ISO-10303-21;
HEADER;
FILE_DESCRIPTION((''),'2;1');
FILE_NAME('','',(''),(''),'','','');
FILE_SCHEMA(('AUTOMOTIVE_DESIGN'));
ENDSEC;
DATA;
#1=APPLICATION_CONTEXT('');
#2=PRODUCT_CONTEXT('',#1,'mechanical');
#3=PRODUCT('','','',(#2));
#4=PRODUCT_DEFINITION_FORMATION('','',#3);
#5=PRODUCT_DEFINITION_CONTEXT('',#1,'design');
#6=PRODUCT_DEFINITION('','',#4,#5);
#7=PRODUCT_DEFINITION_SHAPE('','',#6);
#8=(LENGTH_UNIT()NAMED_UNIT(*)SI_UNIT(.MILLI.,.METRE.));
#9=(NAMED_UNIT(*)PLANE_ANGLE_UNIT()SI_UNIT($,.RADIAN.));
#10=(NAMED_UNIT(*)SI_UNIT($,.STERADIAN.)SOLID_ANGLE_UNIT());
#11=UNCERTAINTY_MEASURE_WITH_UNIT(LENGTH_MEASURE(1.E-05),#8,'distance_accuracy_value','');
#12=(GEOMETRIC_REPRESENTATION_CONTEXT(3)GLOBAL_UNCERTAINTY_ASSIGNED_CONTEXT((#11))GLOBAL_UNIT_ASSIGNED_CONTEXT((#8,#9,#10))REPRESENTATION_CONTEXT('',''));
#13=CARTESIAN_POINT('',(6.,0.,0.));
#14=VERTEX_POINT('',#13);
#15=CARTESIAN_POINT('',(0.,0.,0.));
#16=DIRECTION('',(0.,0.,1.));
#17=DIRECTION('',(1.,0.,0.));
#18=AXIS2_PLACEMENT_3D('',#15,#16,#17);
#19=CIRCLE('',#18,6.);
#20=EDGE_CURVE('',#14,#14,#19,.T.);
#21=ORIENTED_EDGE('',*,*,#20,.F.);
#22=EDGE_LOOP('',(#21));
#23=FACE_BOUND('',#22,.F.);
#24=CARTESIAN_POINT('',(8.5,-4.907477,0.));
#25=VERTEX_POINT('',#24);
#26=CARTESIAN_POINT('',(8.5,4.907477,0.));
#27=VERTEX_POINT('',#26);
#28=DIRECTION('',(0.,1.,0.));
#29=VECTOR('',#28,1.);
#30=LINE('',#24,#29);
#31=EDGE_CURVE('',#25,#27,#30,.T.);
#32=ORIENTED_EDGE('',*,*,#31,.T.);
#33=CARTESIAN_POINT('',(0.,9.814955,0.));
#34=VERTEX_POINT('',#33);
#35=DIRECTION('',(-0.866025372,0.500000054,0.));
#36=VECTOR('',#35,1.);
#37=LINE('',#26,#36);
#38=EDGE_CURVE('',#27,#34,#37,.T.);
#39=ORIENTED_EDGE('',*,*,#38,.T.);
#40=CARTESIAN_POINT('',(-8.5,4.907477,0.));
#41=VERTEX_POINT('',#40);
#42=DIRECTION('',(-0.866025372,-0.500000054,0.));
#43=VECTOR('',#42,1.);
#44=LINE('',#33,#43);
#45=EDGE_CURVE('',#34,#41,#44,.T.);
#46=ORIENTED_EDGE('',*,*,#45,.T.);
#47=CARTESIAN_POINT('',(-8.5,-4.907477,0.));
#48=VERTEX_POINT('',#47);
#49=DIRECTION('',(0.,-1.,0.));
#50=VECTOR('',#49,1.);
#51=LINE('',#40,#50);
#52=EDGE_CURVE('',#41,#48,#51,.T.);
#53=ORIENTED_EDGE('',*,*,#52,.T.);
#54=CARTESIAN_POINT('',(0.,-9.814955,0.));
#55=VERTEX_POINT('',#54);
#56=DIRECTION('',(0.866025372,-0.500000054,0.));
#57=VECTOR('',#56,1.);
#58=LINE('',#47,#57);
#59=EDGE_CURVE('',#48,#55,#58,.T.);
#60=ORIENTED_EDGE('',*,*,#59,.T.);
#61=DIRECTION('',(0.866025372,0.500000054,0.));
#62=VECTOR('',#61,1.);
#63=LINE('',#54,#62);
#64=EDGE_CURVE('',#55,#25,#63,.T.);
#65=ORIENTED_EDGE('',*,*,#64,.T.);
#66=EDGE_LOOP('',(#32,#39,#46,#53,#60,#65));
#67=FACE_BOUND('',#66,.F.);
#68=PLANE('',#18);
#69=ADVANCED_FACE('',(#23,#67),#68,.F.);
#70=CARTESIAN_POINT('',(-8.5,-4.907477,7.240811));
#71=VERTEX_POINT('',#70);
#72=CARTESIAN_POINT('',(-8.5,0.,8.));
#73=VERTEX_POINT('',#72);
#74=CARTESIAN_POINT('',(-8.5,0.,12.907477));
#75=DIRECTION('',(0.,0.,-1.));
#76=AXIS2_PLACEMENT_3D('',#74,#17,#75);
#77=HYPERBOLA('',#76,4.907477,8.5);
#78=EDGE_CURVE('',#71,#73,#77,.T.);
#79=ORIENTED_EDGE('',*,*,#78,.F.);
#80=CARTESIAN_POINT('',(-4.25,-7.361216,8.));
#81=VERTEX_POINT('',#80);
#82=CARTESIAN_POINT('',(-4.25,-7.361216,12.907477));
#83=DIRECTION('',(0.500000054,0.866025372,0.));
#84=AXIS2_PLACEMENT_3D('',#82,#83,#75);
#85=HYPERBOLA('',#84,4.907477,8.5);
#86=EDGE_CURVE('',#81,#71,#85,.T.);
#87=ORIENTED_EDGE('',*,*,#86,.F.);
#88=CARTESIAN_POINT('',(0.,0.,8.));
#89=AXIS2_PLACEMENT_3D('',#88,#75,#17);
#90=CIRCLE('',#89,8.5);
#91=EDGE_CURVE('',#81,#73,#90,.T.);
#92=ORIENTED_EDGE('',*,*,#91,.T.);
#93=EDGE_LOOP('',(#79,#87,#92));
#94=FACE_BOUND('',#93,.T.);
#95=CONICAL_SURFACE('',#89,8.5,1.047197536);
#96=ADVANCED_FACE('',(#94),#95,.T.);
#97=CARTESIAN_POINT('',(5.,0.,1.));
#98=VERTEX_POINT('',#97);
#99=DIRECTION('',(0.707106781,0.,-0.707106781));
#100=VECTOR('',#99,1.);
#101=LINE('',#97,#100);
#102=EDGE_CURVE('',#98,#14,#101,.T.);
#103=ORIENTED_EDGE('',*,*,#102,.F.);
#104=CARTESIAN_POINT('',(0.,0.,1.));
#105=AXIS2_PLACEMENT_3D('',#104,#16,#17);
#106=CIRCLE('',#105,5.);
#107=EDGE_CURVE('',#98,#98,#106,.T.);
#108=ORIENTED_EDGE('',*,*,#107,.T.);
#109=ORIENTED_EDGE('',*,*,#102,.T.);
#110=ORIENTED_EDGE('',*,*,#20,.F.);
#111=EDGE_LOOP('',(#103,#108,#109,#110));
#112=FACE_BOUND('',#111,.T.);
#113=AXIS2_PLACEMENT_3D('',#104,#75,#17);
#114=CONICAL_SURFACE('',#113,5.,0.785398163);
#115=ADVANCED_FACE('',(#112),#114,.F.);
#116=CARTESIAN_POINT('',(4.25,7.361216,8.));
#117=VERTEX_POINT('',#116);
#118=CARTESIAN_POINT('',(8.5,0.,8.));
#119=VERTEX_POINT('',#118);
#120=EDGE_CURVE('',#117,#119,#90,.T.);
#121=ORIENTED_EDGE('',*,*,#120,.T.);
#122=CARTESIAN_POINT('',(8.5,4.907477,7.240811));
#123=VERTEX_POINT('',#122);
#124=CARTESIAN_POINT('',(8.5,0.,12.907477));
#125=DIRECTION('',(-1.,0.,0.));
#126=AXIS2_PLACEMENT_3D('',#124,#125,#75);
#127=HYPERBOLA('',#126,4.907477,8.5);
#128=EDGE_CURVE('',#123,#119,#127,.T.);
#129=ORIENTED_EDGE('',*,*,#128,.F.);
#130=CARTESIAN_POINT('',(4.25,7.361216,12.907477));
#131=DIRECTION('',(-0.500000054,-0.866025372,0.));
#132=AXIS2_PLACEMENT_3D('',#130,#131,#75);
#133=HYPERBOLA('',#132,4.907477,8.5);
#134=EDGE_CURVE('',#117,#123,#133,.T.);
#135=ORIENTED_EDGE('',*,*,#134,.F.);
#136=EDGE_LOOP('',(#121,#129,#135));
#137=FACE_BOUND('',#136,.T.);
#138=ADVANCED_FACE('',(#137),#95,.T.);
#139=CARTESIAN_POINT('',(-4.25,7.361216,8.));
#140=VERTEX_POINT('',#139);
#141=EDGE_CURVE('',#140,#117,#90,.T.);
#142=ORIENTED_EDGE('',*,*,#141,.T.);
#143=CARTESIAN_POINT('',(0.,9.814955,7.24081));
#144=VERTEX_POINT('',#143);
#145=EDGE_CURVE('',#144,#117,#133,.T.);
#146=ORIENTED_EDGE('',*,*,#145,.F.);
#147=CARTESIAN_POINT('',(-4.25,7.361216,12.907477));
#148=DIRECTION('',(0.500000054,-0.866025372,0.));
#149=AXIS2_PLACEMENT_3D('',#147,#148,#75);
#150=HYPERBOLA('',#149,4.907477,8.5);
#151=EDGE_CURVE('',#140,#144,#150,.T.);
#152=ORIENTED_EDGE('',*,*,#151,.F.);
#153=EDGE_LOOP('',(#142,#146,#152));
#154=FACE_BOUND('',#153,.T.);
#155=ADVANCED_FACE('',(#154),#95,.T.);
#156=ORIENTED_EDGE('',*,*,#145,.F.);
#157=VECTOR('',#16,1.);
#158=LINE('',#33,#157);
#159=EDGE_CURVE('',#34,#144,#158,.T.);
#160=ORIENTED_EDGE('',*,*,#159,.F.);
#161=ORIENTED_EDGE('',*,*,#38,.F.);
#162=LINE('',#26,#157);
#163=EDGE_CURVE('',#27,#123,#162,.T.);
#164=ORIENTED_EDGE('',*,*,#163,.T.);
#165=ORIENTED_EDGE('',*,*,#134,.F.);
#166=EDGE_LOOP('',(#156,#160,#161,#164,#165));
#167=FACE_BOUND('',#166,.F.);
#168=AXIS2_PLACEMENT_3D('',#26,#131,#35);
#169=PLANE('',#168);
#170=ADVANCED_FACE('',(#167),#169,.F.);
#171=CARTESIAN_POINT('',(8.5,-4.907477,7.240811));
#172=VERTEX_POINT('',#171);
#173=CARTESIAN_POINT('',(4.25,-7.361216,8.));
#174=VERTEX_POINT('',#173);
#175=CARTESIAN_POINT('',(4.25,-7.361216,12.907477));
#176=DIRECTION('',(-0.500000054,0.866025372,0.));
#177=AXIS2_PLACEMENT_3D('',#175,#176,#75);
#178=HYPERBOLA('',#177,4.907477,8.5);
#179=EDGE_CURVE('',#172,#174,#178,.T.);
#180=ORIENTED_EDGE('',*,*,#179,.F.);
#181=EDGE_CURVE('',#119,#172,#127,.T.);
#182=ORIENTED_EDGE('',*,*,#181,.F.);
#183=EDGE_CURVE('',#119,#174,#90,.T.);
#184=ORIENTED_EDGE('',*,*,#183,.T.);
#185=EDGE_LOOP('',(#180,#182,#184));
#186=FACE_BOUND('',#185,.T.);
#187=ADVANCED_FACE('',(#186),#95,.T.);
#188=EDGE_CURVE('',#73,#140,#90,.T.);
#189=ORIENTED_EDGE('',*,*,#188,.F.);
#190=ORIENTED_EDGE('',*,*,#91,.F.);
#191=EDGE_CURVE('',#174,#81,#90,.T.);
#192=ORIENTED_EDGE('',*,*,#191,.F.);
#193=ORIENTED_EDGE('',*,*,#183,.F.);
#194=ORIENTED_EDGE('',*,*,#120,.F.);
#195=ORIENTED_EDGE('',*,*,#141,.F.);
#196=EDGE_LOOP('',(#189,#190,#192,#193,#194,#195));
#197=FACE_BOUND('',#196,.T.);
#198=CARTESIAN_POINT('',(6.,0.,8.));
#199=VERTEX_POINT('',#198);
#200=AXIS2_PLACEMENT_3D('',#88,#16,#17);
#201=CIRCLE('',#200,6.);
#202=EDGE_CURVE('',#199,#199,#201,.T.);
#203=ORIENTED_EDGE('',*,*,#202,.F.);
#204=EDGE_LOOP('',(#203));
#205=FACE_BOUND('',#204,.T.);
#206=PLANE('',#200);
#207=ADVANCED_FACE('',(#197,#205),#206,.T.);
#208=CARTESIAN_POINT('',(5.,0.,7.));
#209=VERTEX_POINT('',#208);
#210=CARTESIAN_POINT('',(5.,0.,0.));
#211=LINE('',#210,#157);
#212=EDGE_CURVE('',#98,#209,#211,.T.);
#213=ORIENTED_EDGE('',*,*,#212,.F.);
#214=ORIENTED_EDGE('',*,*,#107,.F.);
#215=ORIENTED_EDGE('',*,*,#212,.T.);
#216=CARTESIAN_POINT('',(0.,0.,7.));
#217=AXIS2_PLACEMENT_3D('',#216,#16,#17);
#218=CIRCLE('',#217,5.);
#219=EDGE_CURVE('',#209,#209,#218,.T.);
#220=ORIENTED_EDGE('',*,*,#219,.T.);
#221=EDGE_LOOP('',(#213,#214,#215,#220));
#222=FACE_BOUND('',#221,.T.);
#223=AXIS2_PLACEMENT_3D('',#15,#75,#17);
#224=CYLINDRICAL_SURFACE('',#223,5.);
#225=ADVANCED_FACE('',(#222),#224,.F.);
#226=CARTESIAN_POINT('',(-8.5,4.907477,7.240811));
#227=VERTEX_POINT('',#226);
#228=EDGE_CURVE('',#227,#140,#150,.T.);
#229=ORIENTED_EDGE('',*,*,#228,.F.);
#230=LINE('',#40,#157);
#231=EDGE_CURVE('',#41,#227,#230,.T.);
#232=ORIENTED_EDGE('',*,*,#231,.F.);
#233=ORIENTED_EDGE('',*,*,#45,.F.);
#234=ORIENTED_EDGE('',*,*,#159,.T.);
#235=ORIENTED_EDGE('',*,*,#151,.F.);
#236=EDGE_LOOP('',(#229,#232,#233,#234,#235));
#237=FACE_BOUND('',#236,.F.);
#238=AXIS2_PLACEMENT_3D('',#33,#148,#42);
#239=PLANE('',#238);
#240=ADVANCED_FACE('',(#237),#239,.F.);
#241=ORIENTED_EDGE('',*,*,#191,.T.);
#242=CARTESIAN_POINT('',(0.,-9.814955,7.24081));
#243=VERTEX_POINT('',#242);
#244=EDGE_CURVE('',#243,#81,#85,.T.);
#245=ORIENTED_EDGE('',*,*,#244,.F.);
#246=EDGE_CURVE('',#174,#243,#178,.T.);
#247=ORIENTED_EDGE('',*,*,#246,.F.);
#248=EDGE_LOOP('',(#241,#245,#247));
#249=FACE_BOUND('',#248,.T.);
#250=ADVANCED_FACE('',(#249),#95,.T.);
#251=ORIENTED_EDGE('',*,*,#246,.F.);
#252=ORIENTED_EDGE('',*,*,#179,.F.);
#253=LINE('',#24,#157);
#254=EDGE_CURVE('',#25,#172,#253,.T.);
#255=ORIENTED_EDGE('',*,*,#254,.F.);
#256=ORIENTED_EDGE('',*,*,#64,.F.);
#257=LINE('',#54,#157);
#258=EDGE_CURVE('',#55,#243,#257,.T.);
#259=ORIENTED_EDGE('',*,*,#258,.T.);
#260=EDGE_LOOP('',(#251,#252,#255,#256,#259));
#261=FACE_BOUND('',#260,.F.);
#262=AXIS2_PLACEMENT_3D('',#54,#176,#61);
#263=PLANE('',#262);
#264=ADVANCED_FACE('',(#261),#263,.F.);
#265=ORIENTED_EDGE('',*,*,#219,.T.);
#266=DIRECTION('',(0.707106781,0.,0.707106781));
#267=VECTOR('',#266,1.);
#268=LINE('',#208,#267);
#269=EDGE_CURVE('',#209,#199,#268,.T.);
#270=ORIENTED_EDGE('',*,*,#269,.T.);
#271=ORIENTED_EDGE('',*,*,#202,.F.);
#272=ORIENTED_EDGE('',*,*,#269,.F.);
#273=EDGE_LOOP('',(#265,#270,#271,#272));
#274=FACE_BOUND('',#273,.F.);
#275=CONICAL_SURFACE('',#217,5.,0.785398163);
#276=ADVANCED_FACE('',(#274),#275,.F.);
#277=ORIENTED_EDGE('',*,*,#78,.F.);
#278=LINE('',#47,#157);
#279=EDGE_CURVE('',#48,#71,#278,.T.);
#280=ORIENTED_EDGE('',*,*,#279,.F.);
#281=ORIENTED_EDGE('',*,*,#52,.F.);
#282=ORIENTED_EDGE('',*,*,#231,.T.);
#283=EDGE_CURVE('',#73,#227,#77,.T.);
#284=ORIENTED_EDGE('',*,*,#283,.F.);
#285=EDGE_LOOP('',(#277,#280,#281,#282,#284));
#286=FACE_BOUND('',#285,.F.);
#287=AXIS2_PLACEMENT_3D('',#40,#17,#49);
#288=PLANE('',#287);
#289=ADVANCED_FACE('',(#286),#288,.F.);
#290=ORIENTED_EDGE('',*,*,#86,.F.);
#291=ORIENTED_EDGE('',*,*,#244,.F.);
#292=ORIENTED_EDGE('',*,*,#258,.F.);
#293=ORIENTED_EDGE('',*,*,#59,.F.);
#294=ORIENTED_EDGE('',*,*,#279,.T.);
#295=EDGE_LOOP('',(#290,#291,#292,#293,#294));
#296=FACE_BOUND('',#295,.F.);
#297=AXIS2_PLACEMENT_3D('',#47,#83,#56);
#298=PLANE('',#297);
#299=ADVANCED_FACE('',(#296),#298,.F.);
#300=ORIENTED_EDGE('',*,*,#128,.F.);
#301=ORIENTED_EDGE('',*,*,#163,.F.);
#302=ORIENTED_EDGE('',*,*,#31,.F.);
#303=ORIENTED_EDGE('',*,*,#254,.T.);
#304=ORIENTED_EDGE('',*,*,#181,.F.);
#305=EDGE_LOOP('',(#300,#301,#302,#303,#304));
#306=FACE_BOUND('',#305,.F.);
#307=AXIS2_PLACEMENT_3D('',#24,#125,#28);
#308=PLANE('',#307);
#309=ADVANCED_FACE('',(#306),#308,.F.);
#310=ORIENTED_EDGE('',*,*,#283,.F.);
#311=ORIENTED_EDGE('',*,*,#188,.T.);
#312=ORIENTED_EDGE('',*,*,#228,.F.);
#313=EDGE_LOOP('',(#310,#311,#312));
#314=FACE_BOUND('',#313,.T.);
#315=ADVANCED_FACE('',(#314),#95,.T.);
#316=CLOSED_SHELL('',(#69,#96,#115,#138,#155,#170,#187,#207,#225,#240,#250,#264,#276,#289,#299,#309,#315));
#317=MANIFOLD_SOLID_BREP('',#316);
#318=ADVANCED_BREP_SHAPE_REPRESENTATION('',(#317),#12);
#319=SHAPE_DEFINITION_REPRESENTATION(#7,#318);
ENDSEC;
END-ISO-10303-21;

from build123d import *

# Parameters (mm, degrees)
F0_R     = 5
F1_DEPTH = 8
F2_SIZE  = 1


with BuildPart() as f1:
    # F0 (on Top) → F1 (new body)
    with BuildSketch(Plane.XY):
        Polygon((0, -9.814955), (8.5, -4.907477), (8.5, 4.907477), (0, 9.814955), (-8.5, 4.907477), (-8.5, -4.907477), align=None)
        Circle(F0_R, mode=Mode.SUBTRACT)
    extrude(amount=F1_DEPTH)

    # F2
    f2_edges = [f1.edges().sort_by_distance(p)[0] for p in [
        (-5, 0, 8),
        (-5, 0, 0),
    ]]
    chamfer(f2_edges, length=F2_SIZE)

    # F3 (on Front) → F4 (revolve, cut)
    with BuildSketch(Plane.XZ):
        Polygon((18.032537, 8), (8.5, 8), (18.032537, 2.496387), align=None)
    revolve(axis=Axis((0, 0, 4), (0, 0, -1)), mode=Mode.SUBTRACT)


solid = f1.part
